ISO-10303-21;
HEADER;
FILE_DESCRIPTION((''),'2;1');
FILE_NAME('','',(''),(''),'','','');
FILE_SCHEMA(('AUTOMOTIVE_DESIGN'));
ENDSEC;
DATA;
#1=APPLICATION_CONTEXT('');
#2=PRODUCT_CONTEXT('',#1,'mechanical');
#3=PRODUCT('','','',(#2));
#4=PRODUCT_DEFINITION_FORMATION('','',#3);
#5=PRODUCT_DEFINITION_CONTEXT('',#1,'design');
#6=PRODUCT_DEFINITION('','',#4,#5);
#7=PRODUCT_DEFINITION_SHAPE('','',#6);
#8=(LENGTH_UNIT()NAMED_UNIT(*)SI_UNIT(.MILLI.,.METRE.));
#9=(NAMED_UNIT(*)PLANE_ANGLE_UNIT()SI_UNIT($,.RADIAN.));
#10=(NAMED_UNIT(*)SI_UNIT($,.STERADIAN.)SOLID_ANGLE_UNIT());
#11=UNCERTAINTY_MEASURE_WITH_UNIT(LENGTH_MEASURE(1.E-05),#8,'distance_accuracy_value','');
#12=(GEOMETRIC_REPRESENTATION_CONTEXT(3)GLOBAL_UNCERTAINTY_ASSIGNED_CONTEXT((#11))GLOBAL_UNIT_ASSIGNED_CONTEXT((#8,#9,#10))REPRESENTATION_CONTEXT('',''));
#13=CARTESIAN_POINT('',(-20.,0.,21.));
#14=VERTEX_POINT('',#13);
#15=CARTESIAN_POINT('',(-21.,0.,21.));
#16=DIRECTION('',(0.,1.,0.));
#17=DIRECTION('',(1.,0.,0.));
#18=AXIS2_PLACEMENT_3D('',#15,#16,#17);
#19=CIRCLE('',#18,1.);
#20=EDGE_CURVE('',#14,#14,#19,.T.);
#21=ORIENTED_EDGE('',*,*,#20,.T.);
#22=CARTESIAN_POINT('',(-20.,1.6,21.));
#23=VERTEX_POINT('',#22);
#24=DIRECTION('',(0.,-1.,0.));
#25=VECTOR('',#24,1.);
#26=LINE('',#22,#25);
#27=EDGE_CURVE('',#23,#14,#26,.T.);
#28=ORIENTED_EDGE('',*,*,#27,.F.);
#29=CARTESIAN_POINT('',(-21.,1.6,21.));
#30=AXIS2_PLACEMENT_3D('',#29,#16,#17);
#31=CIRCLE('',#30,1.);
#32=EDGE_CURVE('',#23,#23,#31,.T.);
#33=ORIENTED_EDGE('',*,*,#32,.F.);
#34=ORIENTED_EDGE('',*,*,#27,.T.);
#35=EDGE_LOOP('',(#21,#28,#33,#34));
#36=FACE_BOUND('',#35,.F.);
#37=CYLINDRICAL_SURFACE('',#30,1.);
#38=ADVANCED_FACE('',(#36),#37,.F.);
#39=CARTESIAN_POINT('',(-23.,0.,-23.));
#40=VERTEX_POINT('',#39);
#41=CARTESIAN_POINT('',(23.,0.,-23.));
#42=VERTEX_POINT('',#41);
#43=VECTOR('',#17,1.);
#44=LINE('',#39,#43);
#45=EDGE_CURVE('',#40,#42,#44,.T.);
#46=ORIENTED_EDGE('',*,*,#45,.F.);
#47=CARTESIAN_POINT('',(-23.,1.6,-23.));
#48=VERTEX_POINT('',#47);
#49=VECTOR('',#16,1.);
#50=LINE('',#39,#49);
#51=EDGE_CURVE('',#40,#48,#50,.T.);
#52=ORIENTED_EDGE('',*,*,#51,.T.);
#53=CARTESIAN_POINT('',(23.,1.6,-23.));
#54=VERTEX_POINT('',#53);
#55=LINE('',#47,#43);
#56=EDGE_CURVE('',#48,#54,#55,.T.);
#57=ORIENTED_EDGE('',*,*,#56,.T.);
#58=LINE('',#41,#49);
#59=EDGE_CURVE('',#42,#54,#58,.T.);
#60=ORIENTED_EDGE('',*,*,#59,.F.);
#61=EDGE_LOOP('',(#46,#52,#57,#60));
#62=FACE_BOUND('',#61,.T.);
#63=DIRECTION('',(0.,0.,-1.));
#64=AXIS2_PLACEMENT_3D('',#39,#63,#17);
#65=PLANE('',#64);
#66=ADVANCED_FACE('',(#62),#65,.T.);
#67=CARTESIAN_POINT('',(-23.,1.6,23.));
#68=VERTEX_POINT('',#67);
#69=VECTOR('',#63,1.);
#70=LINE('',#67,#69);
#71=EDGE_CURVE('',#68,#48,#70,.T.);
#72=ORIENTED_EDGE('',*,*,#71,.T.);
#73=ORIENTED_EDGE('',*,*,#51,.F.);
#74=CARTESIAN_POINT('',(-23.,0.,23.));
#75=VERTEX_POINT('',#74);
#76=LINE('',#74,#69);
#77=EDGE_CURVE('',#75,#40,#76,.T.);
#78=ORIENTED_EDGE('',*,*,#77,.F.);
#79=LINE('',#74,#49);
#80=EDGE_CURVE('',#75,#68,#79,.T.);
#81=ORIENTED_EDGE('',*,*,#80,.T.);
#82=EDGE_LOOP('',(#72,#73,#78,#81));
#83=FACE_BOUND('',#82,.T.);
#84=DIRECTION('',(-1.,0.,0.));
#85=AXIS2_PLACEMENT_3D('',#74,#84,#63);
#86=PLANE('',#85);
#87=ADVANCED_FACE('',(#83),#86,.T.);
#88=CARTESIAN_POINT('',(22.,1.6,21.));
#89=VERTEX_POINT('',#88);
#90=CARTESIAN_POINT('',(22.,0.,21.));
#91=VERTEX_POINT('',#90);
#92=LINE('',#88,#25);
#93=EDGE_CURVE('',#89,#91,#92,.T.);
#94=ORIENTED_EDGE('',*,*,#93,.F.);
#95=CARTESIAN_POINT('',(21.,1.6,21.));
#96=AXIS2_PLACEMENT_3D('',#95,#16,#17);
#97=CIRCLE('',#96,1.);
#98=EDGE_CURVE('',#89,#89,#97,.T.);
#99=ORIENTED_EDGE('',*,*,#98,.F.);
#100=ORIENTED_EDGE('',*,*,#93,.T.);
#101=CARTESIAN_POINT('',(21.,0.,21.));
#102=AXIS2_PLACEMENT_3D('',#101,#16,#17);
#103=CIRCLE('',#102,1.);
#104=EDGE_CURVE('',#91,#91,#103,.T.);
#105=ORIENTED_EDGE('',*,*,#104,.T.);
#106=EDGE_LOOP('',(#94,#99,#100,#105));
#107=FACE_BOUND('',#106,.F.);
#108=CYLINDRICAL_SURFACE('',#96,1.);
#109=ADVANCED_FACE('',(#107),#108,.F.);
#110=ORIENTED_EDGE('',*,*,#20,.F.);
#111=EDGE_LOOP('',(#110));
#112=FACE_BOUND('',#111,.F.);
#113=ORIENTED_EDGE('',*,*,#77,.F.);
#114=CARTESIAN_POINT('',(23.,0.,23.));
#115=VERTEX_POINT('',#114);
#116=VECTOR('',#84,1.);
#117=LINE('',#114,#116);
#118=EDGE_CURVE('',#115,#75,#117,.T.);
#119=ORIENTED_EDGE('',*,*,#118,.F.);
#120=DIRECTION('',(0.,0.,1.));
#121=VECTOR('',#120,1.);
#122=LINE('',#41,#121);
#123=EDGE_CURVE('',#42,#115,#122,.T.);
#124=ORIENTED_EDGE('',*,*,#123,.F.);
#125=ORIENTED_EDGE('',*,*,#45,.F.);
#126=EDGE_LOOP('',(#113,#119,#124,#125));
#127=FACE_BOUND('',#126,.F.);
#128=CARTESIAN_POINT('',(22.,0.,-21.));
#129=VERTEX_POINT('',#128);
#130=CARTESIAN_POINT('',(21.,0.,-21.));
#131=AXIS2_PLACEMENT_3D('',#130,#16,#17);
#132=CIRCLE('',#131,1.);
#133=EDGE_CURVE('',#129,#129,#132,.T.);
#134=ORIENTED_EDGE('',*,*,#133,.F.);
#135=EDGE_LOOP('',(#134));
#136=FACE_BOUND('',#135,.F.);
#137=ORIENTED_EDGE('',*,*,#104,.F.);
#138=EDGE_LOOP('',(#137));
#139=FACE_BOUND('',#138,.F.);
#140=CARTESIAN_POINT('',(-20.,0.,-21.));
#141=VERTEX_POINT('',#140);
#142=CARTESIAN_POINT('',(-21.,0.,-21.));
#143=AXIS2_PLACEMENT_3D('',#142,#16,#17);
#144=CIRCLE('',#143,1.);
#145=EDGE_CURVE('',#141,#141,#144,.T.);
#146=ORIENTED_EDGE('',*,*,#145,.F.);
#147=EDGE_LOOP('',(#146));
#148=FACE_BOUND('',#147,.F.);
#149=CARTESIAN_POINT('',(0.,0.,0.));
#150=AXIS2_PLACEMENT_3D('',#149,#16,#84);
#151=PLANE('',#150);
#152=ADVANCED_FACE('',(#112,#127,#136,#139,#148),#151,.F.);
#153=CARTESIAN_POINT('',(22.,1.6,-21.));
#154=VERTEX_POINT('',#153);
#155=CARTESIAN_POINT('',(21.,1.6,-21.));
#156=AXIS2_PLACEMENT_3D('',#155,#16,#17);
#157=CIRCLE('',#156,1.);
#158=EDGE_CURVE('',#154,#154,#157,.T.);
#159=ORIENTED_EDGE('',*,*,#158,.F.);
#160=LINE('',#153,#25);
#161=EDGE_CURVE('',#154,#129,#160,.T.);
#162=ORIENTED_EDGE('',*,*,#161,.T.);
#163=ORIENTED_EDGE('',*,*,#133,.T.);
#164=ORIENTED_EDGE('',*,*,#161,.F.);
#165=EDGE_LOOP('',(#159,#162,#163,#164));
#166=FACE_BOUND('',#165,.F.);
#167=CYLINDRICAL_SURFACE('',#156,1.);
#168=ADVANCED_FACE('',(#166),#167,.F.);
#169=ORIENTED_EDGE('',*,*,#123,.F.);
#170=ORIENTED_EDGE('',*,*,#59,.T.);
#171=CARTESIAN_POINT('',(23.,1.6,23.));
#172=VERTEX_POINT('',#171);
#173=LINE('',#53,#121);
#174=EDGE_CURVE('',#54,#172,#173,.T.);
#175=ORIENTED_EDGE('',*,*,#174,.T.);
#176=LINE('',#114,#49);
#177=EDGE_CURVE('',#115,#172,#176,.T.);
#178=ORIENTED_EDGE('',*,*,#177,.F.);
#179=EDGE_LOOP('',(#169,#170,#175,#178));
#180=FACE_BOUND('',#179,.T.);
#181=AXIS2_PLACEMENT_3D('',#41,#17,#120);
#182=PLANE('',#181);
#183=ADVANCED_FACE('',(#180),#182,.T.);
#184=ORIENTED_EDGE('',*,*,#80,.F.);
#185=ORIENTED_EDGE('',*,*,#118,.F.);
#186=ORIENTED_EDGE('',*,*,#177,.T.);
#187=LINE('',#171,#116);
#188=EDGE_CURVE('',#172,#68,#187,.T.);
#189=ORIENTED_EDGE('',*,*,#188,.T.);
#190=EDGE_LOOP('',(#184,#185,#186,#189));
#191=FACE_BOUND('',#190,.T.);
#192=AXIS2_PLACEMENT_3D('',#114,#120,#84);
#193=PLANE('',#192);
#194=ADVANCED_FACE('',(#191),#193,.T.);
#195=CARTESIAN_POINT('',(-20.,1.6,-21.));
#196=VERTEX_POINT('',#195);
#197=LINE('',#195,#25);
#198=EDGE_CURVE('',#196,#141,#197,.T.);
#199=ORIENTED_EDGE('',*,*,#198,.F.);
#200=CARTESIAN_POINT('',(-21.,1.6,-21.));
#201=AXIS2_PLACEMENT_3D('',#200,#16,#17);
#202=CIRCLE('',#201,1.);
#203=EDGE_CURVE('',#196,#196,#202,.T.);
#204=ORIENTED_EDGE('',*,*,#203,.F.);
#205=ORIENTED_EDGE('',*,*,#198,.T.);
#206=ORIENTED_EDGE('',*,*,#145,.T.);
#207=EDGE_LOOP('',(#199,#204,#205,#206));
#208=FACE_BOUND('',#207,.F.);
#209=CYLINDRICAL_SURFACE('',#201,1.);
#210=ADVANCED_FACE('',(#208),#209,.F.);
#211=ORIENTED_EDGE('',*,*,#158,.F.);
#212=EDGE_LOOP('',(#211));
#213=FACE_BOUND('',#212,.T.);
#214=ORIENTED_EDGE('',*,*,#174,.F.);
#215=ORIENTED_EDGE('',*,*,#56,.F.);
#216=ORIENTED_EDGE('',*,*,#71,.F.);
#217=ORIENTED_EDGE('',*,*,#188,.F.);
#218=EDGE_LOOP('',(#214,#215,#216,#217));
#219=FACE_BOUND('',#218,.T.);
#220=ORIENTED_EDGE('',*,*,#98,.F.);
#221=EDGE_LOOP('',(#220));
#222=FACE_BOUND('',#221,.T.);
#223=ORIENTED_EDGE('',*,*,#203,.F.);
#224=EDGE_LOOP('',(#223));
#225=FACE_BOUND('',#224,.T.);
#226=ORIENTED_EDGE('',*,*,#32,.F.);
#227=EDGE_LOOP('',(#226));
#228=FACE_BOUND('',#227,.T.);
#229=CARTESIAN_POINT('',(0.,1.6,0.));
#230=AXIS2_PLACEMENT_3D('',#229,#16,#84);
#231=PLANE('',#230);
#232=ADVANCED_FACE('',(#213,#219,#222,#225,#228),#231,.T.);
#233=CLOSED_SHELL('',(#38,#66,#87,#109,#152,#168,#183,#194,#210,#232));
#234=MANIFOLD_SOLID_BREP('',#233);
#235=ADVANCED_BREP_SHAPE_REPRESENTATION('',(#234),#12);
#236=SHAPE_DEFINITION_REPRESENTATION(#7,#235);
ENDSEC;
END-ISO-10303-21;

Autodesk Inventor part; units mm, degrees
ref_plane "YZ Plane" through (0, 0, 0) normal (1, 0, 0) x (0, 1, 0)
ref_plane "XZ Plane" through (0, 0, 0) normal (0, 1, 0) x (-1, 0, 0)
ref_plane "XY Plane" through (0, 0, 0) normal (0, 0, 1) x (1, 0, 0)
sketch "Sketch1" plane through (0, 0, 0) normal (0, 1, 0) x (-1, 0, 0)
  line L0 (-23, 23) -> (23, 23)
  line L1 (23, 23) -> (23, -23)
  line L2 (23, -23) -> (-23, -23)
  line L3 (-23, -23) -> (-23, 23)
  line L4 (-23, 23) -> (23, -23) construction
  line L5 (23, 23) -> (-23, -23) construction
  point P0 (0, 0)
  dimension "d0" = 46
  dimension "d1" = 46
extrude "Extrusion1" add sketch "Sketch1" along normal blind 1.6
sketch "Sketch2" plane through (0, 1.6, 0) normal (0, 1, 0) x (1, 0, 0)
  circle A0 centre (21, -21) radius 1
  line L0 (23, -23) -> (23, 23) projected
  line L1 (-23, -23) -> (23, -23) projected
  circle A1 centre (21, 21) radius 1
  circle A2 centre (-21, -21) radius 1
  circle A3 centre (-21, 21) radius 1
  line L2 (23, 23) -> (-23, 23) projected
  line L3 (-23, 23) -> (-23, -23) projected
  point P0 (0, 0)
  dimension "d4" = 2
  dimension "d5" = 2
  dimension "d6" = 2
  dimension "d7" = 2
  dimension "d8" = 2
  dimension "d9" = 2
  dimension "d10" = 2
  dimension "d11" = 2
  dimension "d12" = 2
  dimension "d13" = 2
  dimension "d14" = 2
  dimension "d15" = 2
extrude "Extrusion2" cut sketch "Sketch2" against normal blind 1.6 contours A0 | A1 | A2 | A3
properties part number "Empty Inner PCB"
